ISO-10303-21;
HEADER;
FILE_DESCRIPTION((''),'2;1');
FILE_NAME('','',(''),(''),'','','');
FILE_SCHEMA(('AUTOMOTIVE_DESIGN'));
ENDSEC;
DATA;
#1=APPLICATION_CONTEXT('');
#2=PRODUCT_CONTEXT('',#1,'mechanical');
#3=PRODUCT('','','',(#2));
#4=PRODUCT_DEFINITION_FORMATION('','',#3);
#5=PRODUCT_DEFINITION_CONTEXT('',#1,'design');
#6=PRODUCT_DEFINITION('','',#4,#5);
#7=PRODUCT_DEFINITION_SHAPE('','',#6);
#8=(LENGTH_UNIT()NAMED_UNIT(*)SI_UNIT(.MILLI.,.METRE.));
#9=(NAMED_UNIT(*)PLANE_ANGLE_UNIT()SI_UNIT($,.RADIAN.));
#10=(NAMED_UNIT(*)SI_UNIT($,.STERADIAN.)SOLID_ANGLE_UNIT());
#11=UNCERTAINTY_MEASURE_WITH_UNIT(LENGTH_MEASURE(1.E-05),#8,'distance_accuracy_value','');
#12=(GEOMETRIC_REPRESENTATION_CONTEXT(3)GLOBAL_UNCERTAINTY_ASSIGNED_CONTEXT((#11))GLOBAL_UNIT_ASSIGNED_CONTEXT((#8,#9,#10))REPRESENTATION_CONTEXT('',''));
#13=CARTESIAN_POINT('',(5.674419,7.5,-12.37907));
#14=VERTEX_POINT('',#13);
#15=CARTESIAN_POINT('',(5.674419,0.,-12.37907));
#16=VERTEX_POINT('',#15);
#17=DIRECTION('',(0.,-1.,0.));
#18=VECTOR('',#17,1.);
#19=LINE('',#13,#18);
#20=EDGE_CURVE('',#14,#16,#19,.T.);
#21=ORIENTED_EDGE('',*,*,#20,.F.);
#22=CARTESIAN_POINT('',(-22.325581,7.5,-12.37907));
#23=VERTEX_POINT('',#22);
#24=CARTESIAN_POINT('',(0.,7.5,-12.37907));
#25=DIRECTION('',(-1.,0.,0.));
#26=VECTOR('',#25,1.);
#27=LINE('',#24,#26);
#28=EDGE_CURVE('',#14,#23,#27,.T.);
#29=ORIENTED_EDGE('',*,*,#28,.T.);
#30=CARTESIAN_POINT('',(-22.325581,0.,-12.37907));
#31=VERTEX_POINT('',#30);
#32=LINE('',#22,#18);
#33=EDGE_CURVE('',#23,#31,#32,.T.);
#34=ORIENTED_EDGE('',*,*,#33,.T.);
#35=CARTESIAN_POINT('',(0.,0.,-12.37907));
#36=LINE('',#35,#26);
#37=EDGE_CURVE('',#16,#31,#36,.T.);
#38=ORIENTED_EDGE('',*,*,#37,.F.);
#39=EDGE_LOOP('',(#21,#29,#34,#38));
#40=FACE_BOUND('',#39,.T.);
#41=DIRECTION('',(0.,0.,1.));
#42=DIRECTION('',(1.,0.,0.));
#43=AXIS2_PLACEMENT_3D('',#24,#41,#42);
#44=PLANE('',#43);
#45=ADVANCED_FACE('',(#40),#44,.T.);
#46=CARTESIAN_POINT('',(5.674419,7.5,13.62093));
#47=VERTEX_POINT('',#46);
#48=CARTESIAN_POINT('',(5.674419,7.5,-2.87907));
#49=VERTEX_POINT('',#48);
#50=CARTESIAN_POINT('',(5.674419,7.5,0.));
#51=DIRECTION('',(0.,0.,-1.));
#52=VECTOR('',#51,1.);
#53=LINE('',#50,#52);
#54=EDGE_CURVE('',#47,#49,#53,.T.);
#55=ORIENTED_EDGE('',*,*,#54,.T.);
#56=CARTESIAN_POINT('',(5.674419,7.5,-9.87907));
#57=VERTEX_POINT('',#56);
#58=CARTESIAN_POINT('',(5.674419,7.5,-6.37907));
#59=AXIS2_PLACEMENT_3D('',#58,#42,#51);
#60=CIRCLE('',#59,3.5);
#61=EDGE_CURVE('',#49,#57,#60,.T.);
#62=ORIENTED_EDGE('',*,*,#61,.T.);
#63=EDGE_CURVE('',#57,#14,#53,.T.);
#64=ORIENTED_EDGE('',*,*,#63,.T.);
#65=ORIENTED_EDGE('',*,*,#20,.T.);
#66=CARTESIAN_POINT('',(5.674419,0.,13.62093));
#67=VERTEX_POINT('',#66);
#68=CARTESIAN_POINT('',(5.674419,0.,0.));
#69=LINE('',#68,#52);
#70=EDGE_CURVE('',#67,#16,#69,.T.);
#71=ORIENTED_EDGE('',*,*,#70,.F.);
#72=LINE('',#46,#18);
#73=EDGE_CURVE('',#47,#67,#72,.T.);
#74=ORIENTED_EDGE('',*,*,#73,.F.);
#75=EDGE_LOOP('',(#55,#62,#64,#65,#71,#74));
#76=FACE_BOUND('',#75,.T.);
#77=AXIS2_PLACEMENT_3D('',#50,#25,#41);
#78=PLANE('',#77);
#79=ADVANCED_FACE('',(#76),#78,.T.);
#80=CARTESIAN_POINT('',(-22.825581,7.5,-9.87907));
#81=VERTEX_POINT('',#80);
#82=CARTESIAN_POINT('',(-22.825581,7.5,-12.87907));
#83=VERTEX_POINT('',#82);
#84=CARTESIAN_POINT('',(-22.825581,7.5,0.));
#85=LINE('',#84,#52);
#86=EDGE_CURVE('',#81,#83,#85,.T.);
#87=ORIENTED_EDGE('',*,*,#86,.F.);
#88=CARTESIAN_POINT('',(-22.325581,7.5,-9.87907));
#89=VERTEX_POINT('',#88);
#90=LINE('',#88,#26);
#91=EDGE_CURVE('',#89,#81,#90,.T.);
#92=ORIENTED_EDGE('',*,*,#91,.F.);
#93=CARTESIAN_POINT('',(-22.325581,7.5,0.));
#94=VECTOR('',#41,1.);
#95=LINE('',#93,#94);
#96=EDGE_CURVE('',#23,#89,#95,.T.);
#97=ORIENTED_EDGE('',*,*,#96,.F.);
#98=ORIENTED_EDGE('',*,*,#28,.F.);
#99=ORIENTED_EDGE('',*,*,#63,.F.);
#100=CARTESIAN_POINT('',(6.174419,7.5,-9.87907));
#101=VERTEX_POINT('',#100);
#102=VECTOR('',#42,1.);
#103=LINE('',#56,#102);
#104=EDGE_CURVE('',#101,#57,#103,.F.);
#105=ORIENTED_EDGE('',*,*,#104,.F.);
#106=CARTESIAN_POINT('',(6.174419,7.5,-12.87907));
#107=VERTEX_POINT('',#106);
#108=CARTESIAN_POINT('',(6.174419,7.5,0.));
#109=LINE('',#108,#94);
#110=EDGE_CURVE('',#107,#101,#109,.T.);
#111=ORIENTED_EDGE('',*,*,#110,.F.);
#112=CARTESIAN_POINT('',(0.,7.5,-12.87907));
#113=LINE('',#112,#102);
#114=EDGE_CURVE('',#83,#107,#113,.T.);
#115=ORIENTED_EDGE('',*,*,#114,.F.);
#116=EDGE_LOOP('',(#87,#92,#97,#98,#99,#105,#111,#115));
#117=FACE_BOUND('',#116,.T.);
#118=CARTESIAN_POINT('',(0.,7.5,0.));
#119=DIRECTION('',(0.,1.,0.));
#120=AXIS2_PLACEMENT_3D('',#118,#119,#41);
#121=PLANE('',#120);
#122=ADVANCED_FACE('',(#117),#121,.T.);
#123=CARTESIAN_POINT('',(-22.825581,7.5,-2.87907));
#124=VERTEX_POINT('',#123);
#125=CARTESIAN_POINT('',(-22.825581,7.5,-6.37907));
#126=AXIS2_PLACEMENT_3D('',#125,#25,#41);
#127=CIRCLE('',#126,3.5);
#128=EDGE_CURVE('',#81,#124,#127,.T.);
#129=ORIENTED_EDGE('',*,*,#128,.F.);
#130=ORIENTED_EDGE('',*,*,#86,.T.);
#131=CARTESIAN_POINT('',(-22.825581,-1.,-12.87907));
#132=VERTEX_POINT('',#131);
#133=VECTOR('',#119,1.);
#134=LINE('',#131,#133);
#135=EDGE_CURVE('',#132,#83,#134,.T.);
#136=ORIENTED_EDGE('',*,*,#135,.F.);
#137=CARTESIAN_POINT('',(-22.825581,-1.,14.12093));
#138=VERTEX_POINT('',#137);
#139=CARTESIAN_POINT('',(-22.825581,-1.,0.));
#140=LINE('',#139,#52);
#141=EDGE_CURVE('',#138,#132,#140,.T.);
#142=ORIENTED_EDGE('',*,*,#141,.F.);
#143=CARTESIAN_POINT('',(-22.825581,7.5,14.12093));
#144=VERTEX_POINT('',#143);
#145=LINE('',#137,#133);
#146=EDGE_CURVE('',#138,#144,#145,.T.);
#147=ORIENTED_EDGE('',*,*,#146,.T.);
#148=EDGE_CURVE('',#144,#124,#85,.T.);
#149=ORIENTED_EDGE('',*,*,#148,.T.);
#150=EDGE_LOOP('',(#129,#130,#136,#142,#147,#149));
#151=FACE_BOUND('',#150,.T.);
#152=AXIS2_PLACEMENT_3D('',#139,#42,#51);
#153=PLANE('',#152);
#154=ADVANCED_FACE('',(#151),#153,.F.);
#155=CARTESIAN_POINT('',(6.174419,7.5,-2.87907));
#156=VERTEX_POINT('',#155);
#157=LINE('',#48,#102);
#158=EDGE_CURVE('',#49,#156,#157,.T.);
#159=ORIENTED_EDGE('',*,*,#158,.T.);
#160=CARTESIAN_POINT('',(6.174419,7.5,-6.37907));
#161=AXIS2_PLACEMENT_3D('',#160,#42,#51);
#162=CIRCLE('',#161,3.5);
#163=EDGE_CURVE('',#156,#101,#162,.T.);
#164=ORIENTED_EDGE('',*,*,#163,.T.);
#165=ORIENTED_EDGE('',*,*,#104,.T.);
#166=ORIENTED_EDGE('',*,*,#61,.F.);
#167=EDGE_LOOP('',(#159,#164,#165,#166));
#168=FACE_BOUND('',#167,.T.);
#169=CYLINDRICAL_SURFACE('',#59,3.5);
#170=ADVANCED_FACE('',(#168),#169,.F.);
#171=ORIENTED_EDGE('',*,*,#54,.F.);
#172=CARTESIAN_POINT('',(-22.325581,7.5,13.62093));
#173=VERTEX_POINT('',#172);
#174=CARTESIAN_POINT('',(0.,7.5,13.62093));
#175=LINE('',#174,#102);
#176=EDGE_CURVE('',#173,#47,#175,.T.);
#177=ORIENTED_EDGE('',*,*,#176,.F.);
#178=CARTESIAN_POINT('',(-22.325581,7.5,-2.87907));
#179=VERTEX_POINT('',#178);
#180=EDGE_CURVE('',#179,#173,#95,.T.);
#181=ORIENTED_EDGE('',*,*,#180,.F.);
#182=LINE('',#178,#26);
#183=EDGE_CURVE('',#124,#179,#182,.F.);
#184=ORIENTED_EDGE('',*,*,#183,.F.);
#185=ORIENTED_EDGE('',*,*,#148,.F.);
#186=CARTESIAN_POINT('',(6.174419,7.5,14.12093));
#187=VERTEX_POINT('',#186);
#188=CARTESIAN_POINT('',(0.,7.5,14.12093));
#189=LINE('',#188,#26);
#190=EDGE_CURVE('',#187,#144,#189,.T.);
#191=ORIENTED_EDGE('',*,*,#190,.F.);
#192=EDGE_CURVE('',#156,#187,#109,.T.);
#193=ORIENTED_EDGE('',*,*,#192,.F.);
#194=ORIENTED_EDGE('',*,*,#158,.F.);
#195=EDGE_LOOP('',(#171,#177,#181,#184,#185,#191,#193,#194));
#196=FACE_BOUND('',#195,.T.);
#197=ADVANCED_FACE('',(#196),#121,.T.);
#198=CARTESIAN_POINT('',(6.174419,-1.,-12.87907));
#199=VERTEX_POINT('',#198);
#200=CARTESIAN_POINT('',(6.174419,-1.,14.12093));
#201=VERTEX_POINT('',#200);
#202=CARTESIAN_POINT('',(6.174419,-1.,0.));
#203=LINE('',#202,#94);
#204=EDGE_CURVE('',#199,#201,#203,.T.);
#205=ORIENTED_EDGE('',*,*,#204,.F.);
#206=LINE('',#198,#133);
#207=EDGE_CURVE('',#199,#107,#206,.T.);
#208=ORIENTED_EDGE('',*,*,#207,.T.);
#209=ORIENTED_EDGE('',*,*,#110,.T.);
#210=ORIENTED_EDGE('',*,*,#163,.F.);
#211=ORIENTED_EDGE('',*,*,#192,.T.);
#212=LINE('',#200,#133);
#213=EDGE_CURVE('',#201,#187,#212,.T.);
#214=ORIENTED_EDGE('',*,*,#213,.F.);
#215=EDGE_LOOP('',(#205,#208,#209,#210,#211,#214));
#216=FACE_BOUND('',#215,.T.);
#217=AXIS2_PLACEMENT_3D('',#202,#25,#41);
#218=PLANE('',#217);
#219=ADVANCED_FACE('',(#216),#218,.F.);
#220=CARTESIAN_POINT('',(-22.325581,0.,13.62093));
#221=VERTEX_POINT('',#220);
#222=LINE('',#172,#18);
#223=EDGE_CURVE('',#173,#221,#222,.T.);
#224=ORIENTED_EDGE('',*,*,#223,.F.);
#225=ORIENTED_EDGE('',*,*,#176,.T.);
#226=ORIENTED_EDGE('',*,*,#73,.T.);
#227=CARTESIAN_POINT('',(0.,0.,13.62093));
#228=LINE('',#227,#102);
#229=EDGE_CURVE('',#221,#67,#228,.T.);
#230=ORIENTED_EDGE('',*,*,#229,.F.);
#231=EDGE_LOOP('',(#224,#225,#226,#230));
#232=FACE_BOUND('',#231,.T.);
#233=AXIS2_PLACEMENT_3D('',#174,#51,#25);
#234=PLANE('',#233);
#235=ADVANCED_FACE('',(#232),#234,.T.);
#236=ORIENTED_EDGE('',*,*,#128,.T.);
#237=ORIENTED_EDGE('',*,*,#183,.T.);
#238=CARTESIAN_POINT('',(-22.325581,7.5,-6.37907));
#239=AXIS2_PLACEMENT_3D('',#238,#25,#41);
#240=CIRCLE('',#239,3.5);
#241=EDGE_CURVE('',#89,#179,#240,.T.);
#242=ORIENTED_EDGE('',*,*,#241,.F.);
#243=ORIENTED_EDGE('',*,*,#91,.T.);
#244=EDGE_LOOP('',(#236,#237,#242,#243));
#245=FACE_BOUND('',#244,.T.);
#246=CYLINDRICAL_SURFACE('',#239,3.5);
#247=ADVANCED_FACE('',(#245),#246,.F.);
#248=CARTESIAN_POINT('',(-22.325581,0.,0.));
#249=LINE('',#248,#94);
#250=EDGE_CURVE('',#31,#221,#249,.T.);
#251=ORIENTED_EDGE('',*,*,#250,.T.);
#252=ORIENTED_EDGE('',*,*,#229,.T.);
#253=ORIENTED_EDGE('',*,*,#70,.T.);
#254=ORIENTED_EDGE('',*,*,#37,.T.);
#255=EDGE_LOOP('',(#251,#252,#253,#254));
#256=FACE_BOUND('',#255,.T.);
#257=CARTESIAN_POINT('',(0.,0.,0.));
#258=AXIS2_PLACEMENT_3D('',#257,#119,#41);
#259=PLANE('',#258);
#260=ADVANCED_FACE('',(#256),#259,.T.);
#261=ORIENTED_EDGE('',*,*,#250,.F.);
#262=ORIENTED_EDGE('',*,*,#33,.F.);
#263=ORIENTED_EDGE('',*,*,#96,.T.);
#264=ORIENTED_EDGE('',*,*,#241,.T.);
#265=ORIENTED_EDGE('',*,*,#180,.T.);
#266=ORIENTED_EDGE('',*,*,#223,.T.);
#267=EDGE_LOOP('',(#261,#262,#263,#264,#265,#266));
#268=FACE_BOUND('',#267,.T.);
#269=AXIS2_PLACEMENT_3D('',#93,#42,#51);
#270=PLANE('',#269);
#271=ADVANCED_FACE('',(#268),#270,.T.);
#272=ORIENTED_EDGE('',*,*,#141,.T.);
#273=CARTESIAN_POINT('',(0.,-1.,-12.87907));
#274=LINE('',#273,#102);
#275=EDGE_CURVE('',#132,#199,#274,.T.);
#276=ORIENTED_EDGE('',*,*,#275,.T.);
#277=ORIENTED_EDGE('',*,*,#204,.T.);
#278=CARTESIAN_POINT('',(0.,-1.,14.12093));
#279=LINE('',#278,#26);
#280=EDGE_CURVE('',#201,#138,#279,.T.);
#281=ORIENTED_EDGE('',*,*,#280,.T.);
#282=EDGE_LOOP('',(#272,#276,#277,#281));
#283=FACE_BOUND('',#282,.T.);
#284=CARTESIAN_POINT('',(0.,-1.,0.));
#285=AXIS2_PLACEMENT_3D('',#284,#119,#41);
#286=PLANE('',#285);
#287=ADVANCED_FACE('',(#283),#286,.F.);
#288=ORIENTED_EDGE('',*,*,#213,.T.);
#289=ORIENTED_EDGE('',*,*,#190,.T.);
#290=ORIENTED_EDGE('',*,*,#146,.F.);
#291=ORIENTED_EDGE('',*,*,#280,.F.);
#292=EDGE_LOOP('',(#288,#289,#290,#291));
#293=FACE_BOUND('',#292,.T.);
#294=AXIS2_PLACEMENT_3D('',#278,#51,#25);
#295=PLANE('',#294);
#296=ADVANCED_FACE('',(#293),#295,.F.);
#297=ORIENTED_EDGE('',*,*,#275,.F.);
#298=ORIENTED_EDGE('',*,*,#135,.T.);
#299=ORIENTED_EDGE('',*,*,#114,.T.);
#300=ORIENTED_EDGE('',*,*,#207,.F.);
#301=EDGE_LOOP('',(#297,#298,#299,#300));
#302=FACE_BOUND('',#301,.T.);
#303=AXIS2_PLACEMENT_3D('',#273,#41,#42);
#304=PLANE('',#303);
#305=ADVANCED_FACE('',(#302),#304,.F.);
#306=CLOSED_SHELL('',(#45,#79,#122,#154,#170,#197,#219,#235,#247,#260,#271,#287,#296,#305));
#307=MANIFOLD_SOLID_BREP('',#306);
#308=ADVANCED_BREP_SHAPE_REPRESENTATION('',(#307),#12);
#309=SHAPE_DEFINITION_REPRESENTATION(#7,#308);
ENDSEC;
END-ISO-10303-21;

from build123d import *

# Parameters (mm, degrees)
ESQUISSE1_W             = 29
ESQUISSE1_H             = 27
BOSS_EXTRU_1_DEPTH      = 1
BOSS_EXTRU_2_DEPTH      = 7.5
ESQUISSE1_4_W           = 0.5
ESQUISSE1_4_H           = 7
BOSS_EXTRU_3_DEPTH      = 7.5
ESQUISSE7_R             = 3.5
ENL_V_MAT_EXTRU_1_DEPTH = 0.5
ENL_V_START             = -0.5
ESQUISSE6_R             = 3.5
ENL_V_MAT_EXTRU_2_DEPTH = 0.5


with BuildPart() as part:
    # Esquisse1 → Boss.-Extru.1 (new body)
    with BuildSketch(Plane(origin=(0, 0, 0), x_dir=(1, 0, 0), z_dir=(0, 1, 0))):
        with Locations((-8.325581395, -0.620930233)):
            Rectangle(ESQUISSE1_W, ESQUISSE1_H)
    extrude(amount=-BOSS_EXTRU_1_DEPTH)

    # Esquisse1<3> → Boss.-Extru.2 (add)
    with BuildSketch(Plane(origin=(0, 0, 0), x_dir=(1, 0, 0), z_dir=(0, 1, 0))):
        Polygon((-22.325581395, 8.379069767), (-22.325581395, 12.379069767), (5.674418605, 12.379069767), (5.674418605, 6.379069767), (6.174418605, 6.379069767), (6.174418605, 12.879069767), (-22.825581395, 12.879069767), (-22.825581395, 8.379069767), align=None)
        Polygon((-22.325581395, -13.620930233), (-22.325581395, 1.379069767), (-22.825581395, 1.379069767), (-22.825581395, -14.120930233), (6.174418605, -14.120930233), (6.174418605, -0.620930233), (5.674418605, -0.620930233), (5.674418605, -13.620930233), align=None)
    extrude(amount=BOSS_EXTRU_2_DEPTH)

    # Esquisse1<4> → Boss.-Extru.3 (add)
    with BuildSketch(Plane(origin=(0, 0, 0), x_dir=(1, 0, 0), z_dir=(0, 1, 0))):
        with Locations((-22.575581395, 4.879069767)):
            Rectangle(ESQUISSE1_4_W, ESQUISSE1_4_H)
        with Locations((5.924418605, 2.879069767)):
            Rectangle(ESQUISSE1_4_W, ESQUISSE1_4_H)
    extrude(amount=BOSS_EXTRU_3_DEPTH)

    # Esquisse7 → Enlèv. mat.-Extru.1 (cut)
    with BuildSketch(Plane(origin=(6.174418605, 0, 0), x_dir=(0, 0, -1), z_dir=(1, 0, 0))):
        with Locations((6.379069767, 7.5)):
            Circle(ESQUISSE7_R)
    extrude(amount=-ENL_V_MAT_EXTRU_1_DEPTH, mode=Mode.SUBTRACT)

    # Esquisse6 → Enlèv. mat.-Extru.2 (cut)
    with BuildSketch(Plane.ZY.offset(22.825581395).offset(ENL_V_START)):
        with Locations((-6.379069767, 7.5)):
            Circle(ESQUISSE6_R)
    extrude(amount=ENL_V_MAT_EXTRU_2_DEPTH, mode=Mode.SUBTRACT)


solid = part.part
